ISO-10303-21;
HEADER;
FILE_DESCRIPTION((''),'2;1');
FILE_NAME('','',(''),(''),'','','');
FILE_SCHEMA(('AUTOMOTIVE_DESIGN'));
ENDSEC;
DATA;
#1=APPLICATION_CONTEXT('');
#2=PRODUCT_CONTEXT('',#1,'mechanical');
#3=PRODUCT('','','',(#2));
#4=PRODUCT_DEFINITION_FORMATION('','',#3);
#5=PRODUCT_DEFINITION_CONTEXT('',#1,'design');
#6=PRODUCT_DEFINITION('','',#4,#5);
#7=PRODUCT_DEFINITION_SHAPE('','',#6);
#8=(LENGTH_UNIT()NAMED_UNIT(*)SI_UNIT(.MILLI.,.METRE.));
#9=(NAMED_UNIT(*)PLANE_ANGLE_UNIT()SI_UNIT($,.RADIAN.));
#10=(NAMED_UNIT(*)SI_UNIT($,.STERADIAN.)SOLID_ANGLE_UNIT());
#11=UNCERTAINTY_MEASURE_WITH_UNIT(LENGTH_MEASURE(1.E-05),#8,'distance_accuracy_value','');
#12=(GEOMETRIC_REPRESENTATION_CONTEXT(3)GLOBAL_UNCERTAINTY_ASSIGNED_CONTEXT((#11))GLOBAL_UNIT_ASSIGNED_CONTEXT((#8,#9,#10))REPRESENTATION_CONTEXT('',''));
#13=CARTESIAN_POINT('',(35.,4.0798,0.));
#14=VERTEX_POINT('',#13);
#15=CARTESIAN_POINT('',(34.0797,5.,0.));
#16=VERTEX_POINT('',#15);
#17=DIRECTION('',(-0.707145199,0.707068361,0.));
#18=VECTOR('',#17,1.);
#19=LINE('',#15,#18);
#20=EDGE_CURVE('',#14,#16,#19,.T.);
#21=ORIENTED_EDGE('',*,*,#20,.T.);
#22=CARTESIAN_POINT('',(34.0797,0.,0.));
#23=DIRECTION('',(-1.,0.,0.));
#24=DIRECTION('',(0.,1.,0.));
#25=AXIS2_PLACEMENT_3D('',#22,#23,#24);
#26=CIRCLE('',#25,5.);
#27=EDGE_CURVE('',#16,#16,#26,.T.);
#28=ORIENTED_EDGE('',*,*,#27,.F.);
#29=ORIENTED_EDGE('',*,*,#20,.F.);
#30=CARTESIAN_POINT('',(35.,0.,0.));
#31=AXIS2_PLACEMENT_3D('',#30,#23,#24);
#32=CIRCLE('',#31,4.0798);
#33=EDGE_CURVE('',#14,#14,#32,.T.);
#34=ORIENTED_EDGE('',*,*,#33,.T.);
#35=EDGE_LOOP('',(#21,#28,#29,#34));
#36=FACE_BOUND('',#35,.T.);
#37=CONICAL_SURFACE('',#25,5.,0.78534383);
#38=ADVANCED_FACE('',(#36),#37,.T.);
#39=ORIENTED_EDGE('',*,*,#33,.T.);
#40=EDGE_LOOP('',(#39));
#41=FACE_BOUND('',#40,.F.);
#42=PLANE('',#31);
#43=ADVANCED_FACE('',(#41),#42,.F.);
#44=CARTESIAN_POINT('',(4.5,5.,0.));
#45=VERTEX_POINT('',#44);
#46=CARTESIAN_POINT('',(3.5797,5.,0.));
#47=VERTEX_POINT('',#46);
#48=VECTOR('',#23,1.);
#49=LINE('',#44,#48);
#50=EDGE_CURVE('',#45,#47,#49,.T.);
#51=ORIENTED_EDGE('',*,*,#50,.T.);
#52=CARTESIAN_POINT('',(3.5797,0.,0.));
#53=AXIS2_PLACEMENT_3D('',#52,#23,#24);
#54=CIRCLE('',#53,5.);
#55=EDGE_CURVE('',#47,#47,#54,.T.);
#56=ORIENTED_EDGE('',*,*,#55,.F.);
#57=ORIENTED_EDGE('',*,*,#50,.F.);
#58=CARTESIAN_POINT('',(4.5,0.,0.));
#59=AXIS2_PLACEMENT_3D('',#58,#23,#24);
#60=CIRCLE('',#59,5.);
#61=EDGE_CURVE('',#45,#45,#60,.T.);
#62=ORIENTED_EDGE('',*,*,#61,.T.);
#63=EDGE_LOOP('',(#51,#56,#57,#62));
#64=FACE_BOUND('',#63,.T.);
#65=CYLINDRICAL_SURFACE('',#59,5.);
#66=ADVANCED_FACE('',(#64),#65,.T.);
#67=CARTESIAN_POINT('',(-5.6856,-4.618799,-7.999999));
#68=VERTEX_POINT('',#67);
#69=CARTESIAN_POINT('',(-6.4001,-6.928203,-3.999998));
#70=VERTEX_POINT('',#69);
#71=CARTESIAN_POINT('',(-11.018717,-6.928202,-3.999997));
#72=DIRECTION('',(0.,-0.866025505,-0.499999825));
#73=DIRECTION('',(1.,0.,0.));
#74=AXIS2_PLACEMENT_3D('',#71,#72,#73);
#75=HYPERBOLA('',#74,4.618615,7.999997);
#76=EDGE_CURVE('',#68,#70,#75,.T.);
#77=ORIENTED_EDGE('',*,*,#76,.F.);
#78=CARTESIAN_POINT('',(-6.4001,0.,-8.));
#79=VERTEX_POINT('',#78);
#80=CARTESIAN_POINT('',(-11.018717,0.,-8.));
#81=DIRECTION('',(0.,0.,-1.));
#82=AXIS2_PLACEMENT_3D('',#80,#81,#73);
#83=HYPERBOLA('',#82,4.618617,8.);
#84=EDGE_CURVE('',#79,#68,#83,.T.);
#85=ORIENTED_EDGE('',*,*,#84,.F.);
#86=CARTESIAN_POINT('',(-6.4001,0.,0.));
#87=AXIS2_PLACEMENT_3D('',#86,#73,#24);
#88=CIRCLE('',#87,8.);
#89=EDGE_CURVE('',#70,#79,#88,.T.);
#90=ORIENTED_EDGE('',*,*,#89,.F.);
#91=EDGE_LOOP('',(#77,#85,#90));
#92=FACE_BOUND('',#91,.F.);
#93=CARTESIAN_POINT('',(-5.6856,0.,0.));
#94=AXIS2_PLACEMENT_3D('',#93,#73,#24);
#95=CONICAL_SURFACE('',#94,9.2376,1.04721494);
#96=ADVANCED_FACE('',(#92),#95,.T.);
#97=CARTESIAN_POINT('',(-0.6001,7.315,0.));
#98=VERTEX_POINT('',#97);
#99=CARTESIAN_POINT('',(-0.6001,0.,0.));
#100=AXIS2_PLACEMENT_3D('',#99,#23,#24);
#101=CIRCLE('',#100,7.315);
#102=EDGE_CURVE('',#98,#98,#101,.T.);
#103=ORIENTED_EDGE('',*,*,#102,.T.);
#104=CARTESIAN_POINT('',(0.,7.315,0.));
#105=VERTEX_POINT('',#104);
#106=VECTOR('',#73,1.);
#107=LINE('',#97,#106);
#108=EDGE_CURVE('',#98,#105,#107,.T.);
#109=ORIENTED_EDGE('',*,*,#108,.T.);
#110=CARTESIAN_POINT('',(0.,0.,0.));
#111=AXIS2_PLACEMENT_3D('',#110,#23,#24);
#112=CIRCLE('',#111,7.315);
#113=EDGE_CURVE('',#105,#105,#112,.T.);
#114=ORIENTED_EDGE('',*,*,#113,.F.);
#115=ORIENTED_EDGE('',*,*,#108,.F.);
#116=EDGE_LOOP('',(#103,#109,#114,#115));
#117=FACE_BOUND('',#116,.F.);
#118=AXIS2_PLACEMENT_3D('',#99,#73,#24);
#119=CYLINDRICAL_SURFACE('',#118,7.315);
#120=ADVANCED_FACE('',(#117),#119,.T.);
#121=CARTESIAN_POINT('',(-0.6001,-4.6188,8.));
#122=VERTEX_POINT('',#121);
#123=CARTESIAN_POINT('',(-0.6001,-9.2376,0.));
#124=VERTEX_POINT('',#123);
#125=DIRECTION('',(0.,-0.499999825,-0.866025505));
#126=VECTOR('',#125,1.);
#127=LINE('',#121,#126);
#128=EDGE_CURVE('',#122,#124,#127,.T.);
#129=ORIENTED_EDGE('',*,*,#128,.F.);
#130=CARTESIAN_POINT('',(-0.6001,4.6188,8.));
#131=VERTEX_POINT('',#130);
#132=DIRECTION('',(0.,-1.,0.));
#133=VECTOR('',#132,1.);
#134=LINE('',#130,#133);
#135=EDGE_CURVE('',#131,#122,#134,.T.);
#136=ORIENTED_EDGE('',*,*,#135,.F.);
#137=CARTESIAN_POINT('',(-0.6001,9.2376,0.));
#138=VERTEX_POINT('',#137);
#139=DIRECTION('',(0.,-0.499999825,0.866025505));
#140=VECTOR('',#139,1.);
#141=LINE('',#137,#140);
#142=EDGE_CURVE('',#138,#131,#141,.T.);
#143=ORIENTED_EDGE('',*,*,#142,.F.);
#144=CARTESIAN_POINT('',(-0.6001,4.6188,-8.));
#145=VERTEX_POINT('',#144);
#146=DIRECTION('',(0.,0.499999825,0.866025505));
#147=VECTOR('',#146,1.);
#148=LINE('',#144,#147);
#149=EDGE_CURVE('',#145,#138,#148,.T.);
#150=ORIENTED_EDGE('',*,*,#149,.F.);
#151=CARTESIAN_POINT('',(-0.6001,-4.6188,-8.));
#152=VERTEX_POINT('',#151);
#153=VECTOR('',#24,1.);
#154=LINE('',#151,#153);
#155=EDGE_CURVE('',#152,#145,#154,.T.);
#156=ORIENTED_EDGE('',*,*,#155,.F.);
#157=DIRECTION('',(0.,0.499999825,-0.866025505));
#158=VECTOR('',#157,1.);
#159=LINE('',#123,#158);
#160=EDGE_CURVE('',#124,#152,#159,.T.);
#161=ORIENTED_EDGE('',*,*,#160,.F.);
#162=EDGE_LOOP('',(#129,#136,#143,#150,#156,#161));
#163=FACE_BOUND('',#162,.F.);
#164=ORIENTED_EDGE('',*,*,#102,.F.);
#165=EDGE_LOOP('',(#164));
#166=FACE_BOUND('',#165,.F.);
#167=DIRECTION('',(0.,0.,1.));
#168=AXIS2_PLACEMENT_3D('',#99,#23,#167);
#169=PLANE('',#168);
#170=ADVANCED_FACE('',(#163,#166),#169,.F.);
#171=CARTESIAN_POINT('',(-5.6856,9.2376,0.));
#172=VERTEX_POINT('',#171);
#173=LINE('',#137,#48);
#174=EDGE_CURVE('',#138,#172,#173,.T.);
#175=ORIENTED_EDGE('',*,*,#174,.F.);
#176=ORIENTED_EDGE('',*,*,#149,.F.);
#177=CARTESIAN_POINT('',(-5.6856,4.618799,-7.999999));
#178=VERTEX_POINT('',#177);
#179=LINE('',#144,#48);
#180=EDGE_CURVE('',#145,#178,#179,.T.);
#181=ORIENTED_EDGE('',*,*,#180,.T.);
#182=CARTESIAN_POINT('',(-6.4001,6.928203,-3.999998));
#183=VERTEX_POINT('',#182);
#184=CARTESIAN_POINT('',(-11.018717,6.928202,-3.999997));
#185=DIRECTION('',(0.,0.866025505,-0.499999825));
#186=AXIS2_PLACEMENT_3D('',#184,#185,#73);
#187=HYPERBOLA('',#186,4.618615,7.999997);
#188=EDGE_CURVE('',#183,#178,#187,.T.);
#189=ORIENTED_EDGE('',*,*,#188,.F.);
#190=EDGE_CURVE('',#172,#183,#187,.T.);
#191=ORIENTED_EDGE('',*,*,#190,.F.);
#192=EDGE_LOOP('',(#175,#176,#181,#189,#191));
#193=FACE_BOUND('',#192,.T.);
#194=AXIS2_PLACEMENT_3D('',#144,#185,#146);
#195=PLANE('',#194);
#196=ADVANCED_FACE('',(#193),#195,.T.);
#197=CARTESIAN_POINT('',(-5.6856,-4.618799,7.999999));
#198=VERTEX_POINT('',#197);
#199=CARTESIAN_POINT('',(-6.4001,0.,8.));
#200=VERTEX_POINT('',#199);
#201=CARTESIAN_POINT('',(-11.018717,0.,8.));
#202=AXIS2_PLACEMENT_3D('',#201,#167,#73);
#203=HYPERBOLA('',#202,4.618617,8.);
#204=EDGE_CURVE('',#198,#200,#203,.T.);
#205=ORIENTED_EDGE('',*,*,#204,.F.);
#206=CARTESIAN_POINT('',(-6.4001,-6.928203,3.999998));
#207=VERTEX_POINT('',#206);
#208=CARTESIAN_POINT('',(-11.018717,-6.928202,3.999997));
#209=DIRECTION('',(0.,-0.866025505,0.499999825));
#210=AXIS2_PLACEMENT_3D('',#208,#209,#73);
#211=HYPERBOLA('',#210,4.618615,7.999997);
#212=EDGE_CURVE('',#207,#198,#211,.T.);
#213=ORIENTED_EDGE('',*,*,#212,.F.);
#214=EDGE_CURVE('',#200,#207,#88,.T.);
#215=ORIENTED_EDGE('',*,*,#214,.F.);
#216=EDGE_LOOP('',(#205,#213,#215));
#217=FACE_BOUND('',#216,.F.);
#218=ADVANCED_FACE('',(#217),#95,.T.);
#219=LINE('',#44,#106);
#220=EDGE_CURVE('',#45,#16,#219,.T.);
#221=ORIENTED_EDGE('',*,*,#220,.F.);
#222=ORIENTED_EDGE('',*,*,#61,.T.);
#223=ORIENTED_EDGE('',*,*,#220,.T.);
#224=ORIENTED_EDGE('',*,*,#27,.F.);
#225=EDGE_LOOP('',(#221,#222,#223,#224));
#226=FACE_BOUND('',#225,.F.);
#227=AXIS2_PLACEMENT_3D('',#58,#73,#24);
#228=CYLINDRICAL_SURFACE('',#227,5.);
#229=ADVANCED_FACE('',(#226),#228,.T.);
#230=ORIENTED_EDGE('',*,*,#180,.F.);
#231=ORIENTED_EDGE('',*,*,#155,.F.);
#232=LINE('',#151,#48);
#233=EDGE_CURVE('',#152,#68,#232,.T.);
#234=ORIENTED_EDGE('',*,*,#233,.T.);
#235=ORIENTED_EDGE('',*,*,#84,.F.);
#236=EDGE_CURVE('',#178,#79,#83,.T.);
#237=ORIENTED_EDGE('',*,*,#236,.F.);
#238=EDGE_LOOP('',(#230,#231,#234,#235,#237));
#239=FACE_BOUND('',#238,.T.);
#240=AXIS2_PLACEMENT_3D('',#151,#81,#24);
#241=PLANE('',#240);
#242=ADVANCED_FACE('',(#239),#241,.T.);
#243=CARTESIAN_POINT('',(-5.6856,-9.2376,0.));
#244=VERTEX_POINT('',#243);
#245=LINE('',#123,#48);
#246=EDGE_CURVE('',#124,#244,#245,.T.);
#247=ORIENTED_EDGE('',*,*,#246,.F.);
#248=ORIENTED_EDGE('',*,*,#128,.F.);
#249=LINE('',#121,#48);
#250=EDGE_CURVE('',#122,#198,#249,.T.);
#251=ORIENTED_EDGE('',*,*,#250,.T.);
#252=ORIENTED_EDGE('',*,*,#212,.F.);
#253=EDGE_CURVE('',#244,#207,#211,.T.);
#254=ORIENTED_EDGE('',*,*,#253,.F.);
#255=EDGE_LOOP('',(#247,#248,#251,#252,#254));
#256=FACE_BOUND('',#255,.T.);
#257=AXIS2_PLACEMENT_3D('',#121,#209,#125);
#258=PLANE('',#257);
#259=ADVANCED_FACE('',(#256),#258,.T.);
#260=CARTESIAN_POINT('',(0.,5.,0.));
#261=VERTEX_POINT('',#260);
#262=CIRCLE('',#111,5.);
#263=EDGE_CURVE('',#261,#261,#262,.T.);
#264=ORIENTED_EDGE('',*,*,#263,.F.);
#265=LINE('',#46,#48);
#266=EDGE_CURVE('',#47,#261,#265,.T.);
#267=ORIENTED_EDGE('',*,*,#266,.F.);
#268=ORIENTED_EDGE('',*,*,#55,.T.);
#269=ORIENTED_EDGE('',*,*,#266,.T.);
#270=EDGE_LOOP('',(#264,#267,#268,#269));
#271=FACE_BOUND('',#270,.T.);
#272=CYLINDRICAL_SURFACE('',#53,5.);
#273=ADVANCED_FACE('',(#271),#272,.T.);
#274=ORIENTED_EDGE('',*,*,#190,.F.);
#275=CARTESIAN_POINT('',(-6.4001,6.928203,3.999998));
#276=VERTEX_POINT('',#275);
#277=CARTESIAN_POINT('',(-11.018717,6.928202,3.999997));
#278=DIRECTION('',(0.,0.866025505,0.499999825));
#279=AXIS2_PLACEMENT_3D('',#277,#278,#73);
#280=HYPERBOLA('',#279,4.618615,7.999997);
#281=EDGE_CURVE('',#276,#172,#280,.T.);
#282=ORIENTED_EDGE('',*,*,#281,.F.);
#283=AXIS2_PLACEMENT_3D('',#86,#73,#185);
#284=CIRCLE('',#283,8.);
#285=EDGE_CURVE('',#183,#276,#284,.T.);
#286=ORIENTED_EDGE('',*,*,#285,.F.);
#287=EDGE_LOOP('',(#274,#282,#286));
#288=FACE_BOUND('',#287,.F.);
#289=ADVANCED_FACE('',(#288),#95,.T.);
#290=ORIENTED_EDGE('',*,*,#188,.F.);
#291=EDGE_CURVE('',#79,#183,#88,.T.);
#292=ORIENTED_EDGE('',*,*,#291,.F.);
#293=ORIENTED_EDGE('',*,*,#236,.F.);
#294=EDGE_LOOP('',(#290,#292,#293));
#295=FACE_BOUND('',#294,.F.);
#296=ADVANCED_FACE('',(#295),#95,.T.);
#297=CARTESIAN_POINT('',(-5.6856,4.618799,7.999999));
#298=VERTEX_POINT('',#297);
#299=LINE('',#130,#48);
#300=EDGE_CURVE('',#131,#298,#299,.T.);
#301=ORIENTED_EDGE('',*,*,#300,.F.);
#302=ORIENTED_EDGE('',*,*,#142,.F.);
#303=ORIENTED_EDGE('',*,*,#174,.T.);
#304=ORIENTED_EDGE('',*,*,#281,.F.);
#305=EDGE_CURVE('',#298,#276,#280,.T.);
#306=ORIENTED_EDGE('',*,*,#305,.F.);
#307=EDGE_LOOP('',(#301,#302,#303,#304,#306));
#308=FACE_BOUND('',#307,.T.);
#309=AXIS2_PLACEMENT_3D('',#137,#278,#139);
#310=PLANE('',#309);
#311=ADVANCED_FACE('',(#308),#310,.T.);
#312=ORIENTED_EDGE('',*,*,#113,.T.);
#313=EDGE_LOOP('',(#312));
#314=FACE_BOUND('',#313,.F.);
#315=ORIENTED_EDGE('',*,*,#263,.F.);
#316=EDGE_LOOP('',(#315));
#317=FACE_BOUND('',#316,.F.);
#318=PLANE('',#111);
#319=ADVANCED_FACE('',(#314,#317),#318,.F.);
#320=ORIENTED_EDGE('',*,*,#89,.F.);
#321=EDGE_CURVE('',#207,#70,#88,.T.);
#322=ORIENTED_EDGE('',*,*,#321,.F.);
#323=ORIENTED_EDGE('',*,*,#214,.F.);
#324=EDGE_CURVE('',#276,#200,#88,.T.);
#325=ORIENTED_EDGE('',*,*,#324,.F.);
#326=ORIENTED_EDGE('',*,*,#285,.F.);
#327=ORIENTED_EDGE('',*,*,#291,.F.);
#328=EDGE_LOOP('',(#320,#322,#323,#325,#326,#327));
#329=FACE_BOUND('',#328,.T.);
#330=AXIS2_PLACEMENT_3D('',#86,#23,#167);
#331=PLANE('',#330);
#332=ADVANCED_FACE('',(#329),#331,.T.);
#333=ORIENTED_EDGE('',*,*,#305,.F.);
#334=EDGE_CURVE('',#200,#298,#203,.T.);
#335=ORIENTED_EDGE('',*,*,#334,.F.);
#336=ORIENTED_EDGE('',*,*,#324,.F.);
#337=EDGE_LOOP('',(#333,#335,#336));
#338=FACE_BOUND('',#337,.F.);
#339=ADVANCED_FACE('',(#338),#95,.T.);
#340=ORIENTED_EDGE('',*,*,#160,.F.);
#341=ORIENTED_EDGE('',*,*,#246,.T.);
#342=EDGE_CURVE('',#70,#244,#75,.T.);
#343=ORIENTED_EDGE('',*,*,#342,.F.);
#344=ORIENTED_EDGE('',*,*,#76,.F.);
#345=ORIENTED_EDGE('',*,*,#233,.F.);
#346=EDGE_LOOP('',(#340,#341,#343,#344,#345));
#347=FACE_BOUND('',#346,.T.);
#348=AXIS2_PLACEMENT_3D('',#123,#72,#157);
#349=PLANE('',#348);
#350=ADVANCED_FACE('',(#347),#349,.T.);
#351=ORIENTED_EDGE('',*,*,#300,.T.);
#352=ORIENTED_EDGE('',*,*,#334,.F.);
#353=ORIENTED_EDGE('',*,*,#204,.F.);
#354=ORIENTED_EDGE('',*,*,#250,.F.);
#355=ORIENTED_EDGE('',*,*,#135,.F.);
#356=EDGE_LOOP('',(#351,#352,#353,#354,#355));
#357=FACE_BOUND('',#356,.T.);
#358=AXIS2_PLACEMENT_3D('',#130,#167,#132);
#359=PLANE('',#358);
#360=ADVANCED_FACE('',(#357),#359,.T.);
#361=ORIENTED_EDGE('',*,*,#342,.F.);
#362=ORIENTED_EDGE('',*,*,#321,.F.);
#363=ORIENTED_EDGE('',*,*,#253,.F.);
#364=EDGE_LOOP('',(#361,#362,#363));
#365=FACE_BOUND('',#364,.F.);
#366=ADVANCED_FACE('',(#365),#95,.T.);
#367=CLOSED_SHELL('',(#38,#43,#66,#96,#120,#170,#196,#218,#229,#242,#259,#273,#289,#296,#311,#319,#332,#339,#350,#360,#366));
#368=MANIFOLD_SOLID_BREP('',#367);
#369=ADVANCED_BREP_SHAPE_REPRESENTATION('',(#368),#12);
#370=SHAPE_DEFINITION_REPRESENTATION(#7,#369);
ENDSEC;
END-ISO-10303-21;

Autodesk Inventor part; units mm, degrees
ref_plane "YZ Plane" through (0, 0, 0) normal (1, 0, 0) x (0, 1, 0)
ref_plane "XZ Plane" through (0, 0, 0) normal (0, 1, 0) x (-1, 0, 0)
sketch "Sketch1" plane through (0, 0, 0) normal (0, 0, 1) x (1, 0, 0)
  line L0 (0, 7.315) -> (0, 5)
  line L1 (4.5, 5) -> (35, 5)
  line L2 (35, 5) -> (35, 0)
  line L3 (35, 0) -> (-0.6001, 0)
  line L4 (-7.7201, 0) -> (42.12, 0) projected
  line L5 (-0.6001, 0) -> (-0.6001, 7.315)
  line L6 (-0.6001, 7.315) -> (0, 7.315)
  line L7 (4.5, 5) -> (3.5797, 5)
  line L8 (3.5797, 5) -> (0, 5)
  line L9 (0, -1.463) -> (0, 8.778) projected
  dimension "d0" = 35
  dimension "d1" = 30.5
  dimension "d2" = 10
  dimension "d9" = 0.6001
  dimension "d10" = 14.63
  dimension "d13" = 0.9203
  dimension "d14" = 10
revolve "Body" add sketch "Sketch1" angle 360 about axis through (35, 0, 0) along (-1, 0, 0)
sketch "Sketch2" plane through (-0.6001, 0, 0) normal (-1, 0, 0) x (0, 0, 1)
  line L0 (0, 9.2376) -> (8, 4.6188)
  line L1 (8, 4.6188) -> (8, -4.6188)
  line L2 (8, -4.6188) -> (0, -9.2376)
  line L3 (0, -9.2376) -> (-8, -4.6188)
  line L4 (-8, -4.6188) -> (-8, 4.6188)
  line L5 (-8, 4.6188) -> (0, 9.2376)
  point P0 (0, 0)
  point P1 (0, 0)
  dimension "d11" = 16
extrude "Head" add sketch "Sketch2" along normal blind 5.8
sketch "Sketch4" plane through (0, 0, 0) normal (0, 0, 1) x (1, 0, 0)
  line L0 (-6.4001, 8) -> (-6.4001, 9.2376)
  line L1 (-6.4001, 9.2376) -> (-5.6856, 9.2376)
  line L2 (-5.6856, 9.2376) -> (-6.4001, 8)
  line L3 (-7.5601, 0) -> (0.5599, 0) projected
  line L4 (-0.6001, 9.2376) -> (-6.4001, 9.2376) projected
  line L5 (-6.4001, 4.6188) -> (-6.4001, 9.2376) projected
  dimension "d5" = 30
  dimension "d19" = 16
revolve "Chamfer1" cut sketch "Sketch4" angle 360 about axis through (-10, 0, 0) along (1, 0, 0)
thread "Thread" size "M10x1.5" class "6g" standard "ISO Metric profile" length 30.5
chamfer "Chamfer2" distance 0.9202 distance2 0.9203 1 edges at (35, -5, 0) measured on face at (35, -0.8768, 0.3989)
ref_plane "Work Plane1" through (1.525, 0, 0) normal (0, 0, 1) x (1, 0, 0)
equation "\"d11\" = SW"
equation "\"d3\" = KOH - SD"
equation "\"d15\" = GEL"
equation "\"d6\" = -0.5 * SPD + 0.5 * GD"
equation "\"d0\" = NLG"
equation "\"d1\" = GEL"
equation "\"d2\" = GD"
equation "\"d10\" = SD2"
equation "\"d14\" = BDM"
equation "\"d5\" = ANG1"
equation "\"d19\" = SW0"
equation "\"NLG\" = 35"
equation "\"GD\" = NND"
equation "\"BDM\" = NND"
equation "\"KOH\" = 6.4"
equation "\"GEL\" = 30.5"
equation "\"SW\" = 16"
equation "\"SW0\" = SW"
equation "\"SPD\" = NND - 1.2269 * PTC"
equation "\"SD2\" = 14.63"
equation "\"SD\" = 0.6"
equation "\"ANG1\" = 30deg"
equation "\"GAL\" = 0.61345 * PTC"
equation "\"GUL\" = 0.61345 * PTC"
equation "\"RR\" = 0.4"
equation "\"GD1\" = THREADDIA - 1.2269 * PTC"
equation "\"SDH\" = SD2"
equation "\"SDHG\" = 4.5"
equation "\"TOA\" = 30deg"
equation "\"PTC\" = 1.5"
equation "\"E0\" = 18.48"
equation "\"NND\" = 10"
equation "\"THREADDIA\" = 10"
properties part number "ISO 4017 - M10 x 35" material "Steel, Mild"
